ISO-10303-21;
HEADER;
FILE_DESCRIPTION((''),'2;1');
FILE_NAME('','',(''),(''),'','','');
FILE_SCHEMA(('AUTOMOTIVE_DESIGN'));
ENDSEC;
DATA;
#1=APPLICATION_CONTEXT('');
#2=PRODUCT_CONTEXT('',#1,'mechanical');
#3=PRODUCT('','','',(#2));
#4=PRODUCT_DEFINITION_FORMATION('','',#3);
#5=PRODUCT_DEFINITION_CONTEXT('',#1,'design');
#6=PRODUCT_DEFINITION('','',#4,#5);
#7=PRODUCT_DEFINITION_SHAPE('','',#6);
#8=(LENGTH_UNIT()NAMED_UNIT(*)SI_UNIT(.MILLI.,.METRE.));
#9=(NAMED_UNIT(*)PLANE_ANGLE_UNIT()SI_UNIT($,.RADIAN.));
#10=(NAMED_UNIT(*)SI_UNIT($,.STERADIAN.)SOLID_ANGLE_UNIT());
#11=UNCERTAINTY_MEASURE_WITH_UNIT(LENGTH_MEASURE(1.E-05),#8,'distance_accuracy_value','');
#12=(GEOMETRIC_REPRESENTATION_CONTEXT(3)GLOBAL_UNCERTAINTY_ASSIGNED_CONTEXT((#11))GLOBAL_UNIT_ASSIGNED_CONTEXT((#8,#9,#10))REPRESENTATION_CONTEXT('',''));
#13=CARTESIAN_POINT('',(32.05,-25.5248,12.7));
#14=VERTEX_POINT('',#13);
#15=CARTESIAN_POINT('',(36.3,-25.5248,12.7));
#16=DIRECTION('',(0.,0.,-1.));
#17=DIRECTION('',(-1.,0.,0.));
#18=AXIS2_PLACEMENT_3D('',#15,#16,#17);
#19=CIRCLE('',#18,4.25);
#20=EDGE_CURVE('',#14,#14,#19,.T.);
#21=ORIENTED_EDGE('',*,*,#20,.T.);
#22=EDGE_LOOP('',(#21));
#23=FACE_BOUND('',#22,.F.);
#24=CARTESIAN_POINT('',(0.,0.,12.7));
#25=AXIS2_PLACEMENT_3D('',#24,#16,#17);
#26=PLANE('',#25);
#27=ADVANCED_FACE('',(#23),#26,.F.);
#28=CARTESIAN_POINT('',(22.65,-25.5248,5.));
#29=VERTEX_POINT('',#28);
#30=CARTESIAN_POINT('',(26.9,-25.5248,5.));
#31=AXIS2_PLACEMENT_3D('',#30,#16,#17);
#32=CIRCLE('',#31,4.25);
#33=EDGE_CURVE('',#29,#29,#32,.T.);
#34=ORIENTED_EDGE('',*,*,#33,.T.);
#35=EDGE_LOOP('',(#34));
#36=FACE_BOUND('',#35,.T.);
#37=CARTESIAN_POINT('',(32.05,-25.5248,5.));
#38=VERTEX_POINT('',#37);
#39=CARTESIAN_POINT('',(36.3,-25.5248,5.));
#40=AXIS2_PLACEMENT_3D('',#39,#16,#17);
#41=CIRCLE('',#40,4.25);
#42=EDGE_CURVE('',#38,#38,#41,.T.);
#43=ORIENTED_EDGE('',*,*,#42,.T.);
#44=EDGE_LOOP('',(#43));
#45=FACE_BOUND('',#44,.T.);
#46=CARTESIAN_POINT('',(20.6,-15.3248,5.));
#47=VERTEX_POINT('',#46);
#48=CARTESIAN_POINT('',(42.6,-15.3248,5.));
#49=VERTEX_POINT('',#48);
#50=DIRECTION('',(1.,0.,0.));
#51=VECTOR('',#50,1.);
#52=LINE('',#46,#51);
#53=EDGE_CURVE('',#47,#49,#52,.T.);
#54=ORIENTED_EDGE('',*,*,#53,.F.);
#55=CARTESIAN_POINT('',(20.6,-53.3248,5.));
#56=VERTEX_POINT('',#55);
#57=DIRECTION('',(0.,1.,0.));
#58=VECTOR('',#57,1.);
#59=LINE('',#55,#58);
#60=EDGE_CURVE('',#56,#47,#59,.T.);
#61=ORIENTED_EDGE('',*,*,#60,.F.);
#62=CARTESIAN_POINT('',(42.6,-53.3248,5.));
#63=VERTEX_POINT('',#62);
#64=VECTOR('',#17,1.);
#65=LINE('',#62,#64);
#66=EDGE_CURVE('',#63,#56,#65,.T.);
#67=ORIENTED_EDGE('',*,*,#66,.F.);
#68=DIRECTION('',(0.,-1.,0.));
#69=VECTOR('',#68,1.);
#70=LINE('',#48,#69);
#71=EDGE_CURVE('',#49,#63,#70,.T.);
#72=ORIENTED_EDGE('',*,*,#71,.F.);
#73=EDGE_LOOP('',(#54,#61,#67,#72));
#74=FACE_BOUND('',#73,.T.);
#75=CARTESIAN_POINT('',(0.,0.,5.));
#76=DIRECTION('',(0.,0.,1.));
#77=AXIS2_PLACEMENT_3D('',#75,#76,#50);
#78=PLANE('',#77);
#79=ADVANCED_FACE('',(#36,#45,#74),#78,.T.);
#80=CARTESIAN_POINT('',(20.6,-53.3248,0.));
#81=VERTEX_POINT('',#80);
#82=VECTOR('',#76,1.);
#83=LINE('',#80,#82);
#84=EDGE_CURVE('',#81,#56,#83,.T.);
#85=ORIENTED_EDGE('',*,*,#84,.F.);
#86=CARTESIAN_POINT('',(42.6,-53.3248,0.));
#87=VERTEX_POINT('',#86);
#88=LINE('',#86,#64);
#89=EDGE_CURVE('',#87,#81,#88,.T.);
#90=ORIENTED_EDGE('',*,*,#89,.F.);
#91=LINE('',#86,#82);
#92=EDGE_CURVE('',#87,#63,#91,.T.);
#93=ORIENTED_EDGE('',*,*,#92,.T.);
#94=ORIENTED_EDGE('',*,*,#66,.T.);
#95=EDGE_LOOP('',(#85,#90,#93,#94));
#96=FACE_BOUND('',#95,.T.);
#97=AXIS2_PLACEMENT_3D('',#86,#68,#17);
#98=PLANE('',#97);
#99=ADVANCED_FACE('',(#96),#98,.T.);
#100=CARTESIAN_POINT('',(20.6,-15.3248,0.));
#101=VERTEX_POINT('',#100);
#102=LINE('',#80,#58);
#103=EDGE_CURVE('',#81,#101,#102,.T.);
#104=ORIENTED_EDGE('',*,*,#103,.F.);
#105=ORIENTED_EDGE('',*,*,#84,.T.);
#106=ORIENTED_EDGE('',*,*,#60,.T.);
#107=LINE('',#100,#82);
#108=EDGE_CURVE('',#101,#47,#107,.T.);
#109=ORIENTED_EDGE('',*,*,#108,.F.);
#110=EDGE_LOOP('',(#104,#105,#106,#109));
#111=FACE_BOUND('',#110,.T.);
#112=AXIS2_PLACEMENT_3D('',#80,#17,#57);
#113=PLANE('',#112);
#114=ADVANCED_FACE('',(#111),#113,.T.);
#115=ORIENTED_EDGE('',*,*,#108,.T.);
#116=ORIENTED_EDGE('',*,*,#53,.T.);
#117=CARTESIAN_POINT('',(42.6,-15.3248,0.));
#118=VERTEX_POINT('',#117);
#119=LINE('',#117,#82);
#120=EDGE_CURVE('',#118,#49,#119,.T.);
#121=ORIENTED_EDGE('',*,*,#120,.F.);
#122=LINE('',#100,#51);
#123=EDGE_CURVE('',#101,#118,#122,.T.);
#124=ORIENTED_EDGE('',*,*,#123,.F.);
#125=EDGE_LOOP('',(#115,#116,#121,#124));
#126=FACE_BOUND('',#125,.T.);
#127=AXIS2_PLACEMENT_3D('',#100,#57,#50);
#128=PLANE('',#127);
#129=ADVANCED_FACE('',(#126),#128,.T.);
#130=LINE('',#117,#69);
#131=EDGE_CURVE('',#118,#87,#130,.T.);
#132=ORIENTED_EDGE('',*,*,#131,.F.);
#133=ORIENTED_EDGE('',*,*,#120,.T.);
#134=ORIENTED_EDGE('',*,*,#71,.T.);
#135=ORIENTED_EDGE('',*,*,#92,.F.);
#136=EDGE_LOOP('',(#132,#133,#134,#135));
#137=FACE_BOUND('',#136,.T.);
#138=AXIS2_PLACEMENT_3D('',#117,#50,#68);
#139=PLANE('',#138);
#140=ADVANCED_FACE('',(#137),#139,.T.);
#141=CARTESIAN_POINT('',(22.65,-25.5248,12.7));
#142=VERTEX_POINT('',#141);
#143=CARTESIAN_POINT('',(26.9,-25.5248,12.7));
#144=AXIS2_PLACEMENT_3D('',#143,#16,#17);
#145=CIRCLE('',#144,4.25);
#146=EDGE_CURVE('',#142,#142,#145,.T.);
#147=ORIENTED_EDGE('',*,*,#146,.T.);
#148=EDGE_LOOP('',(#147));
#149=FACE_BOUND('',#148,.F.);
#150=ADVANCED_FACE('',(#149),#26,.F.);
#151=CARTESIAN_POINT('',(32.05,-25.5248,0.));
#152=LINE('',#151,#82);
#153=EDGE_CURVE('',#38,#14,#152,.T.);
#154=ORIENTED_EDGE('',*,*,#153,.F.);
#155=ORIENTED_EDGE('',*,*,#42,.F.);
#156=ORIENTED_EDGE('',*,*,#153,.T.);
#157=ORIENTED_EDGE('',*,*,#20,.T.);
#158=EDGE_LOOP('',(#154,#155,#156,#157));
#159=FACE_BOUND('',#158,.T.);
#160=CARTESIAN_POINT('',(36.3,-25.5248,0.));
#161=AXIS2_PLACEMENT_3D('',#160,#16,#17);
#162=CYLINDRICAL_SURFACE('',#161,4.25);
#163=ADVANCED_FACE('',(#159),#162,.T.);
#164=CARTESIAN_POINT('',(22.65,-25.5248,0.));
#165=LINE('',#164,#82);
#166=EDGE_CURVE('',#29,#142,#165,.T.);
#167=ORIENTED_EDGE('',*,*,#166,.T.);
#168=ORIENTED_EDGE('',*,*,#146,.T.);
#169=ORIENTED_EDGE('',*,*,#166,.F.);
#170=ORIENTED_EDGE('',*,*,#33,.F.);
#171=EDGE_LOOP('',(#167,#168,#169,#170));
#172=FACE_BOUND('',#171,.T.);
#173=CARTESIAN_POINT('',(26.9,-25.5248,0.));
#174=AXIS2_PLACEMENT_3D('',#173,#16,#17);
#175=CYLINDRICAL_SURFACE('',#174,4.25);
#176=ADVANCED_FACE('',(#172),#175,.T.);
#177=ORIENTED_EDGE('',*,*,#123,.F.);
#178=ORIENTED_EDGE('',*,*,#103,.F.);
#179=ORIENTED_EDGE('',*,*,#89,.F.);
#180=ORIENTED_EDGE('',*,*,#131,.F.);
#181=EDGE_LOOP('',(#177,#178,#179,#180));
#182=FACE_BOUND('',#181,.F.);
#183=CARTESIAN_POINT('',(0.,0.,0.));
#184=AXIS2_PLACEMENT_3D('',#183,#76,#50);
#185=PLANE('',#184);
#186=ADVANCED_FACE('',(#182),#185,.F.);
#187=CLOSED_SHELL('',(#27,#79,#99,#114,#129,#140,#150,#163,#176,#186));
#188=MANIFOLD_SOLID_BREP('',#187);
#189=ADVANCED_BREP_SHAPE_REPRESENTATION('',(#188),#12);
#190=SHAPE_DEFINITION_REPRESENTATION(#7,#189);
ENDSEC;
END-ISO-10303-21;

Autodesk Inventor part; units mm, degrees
ref_plane "YZ Plane" through (0, 0, 0) normal (1, 0, 0) x (0, 1, 0)
ref_plane "XZ Plane" through (0, 0, 0) normal (0, 1, 0) x (-1, 0, 0)
ref_plane "XY Plane" through (0, 0, 0) normal (0, 0, 1) x (1, 0, 0)
sketch "スケッチ1" plane through (0, 0, 0) normal (0, 0, 1) x (1, 0, 0)
  line L0 (0, 0) -> (62, 0) construction
  line L1 (62, 0) -> (62, -62) construction
  line L2 (62, -62) -> (0, -62) construction
  line L3 (0, -62) -> (0, 0) construction
  line L4 (20.6, -15.3248) -> (42.6, -15.3248)
  line L5 (42.6, -15.3248) -> (42.6, -53.3248)
  line L6 (42.6, -53.3248) -> (20.6, -53.3248)
  line L7 (20.6, -53.3248) -> (20.6, -15.3248)
  circle A0 centre (26.9, -25.5248) radius 4.25
  circle A1 centre (36.3, -25.5248) radius 4.25
  dimension "d1" = 22
  dimension "d2" = 38
  dimension "d3" = 62
  dimension "d12" = 15.3248
  dimension "d16" = 20.6
  dimension "d17" = 8.5
  dimension "d18" = 8.5
  dimension "d19" = 6.3
  dimension "d25" = 10.2
  dimension "d31" = 6.3
extrude "押し出し1" add sketch "スケッチ1" along normal blind 5
sketch "スケッチ2" plane through (0, 0, 0) normal (0, 0, -1) x (-1, 0, 0)
  circle A0 centre (-36.3, -25.5248) radius 4.25 projected
  circle A1 centre (-26.9, -25.5248) radius 4.25 projected
  point P0 (0, 0)
extrude "押し出し2" add sketch "スケッチ2" against normal blind 12.7
equation "\"d17\" = d18"
equation "\"d31\" = d19"
properties part number "sidewindermicro2"
